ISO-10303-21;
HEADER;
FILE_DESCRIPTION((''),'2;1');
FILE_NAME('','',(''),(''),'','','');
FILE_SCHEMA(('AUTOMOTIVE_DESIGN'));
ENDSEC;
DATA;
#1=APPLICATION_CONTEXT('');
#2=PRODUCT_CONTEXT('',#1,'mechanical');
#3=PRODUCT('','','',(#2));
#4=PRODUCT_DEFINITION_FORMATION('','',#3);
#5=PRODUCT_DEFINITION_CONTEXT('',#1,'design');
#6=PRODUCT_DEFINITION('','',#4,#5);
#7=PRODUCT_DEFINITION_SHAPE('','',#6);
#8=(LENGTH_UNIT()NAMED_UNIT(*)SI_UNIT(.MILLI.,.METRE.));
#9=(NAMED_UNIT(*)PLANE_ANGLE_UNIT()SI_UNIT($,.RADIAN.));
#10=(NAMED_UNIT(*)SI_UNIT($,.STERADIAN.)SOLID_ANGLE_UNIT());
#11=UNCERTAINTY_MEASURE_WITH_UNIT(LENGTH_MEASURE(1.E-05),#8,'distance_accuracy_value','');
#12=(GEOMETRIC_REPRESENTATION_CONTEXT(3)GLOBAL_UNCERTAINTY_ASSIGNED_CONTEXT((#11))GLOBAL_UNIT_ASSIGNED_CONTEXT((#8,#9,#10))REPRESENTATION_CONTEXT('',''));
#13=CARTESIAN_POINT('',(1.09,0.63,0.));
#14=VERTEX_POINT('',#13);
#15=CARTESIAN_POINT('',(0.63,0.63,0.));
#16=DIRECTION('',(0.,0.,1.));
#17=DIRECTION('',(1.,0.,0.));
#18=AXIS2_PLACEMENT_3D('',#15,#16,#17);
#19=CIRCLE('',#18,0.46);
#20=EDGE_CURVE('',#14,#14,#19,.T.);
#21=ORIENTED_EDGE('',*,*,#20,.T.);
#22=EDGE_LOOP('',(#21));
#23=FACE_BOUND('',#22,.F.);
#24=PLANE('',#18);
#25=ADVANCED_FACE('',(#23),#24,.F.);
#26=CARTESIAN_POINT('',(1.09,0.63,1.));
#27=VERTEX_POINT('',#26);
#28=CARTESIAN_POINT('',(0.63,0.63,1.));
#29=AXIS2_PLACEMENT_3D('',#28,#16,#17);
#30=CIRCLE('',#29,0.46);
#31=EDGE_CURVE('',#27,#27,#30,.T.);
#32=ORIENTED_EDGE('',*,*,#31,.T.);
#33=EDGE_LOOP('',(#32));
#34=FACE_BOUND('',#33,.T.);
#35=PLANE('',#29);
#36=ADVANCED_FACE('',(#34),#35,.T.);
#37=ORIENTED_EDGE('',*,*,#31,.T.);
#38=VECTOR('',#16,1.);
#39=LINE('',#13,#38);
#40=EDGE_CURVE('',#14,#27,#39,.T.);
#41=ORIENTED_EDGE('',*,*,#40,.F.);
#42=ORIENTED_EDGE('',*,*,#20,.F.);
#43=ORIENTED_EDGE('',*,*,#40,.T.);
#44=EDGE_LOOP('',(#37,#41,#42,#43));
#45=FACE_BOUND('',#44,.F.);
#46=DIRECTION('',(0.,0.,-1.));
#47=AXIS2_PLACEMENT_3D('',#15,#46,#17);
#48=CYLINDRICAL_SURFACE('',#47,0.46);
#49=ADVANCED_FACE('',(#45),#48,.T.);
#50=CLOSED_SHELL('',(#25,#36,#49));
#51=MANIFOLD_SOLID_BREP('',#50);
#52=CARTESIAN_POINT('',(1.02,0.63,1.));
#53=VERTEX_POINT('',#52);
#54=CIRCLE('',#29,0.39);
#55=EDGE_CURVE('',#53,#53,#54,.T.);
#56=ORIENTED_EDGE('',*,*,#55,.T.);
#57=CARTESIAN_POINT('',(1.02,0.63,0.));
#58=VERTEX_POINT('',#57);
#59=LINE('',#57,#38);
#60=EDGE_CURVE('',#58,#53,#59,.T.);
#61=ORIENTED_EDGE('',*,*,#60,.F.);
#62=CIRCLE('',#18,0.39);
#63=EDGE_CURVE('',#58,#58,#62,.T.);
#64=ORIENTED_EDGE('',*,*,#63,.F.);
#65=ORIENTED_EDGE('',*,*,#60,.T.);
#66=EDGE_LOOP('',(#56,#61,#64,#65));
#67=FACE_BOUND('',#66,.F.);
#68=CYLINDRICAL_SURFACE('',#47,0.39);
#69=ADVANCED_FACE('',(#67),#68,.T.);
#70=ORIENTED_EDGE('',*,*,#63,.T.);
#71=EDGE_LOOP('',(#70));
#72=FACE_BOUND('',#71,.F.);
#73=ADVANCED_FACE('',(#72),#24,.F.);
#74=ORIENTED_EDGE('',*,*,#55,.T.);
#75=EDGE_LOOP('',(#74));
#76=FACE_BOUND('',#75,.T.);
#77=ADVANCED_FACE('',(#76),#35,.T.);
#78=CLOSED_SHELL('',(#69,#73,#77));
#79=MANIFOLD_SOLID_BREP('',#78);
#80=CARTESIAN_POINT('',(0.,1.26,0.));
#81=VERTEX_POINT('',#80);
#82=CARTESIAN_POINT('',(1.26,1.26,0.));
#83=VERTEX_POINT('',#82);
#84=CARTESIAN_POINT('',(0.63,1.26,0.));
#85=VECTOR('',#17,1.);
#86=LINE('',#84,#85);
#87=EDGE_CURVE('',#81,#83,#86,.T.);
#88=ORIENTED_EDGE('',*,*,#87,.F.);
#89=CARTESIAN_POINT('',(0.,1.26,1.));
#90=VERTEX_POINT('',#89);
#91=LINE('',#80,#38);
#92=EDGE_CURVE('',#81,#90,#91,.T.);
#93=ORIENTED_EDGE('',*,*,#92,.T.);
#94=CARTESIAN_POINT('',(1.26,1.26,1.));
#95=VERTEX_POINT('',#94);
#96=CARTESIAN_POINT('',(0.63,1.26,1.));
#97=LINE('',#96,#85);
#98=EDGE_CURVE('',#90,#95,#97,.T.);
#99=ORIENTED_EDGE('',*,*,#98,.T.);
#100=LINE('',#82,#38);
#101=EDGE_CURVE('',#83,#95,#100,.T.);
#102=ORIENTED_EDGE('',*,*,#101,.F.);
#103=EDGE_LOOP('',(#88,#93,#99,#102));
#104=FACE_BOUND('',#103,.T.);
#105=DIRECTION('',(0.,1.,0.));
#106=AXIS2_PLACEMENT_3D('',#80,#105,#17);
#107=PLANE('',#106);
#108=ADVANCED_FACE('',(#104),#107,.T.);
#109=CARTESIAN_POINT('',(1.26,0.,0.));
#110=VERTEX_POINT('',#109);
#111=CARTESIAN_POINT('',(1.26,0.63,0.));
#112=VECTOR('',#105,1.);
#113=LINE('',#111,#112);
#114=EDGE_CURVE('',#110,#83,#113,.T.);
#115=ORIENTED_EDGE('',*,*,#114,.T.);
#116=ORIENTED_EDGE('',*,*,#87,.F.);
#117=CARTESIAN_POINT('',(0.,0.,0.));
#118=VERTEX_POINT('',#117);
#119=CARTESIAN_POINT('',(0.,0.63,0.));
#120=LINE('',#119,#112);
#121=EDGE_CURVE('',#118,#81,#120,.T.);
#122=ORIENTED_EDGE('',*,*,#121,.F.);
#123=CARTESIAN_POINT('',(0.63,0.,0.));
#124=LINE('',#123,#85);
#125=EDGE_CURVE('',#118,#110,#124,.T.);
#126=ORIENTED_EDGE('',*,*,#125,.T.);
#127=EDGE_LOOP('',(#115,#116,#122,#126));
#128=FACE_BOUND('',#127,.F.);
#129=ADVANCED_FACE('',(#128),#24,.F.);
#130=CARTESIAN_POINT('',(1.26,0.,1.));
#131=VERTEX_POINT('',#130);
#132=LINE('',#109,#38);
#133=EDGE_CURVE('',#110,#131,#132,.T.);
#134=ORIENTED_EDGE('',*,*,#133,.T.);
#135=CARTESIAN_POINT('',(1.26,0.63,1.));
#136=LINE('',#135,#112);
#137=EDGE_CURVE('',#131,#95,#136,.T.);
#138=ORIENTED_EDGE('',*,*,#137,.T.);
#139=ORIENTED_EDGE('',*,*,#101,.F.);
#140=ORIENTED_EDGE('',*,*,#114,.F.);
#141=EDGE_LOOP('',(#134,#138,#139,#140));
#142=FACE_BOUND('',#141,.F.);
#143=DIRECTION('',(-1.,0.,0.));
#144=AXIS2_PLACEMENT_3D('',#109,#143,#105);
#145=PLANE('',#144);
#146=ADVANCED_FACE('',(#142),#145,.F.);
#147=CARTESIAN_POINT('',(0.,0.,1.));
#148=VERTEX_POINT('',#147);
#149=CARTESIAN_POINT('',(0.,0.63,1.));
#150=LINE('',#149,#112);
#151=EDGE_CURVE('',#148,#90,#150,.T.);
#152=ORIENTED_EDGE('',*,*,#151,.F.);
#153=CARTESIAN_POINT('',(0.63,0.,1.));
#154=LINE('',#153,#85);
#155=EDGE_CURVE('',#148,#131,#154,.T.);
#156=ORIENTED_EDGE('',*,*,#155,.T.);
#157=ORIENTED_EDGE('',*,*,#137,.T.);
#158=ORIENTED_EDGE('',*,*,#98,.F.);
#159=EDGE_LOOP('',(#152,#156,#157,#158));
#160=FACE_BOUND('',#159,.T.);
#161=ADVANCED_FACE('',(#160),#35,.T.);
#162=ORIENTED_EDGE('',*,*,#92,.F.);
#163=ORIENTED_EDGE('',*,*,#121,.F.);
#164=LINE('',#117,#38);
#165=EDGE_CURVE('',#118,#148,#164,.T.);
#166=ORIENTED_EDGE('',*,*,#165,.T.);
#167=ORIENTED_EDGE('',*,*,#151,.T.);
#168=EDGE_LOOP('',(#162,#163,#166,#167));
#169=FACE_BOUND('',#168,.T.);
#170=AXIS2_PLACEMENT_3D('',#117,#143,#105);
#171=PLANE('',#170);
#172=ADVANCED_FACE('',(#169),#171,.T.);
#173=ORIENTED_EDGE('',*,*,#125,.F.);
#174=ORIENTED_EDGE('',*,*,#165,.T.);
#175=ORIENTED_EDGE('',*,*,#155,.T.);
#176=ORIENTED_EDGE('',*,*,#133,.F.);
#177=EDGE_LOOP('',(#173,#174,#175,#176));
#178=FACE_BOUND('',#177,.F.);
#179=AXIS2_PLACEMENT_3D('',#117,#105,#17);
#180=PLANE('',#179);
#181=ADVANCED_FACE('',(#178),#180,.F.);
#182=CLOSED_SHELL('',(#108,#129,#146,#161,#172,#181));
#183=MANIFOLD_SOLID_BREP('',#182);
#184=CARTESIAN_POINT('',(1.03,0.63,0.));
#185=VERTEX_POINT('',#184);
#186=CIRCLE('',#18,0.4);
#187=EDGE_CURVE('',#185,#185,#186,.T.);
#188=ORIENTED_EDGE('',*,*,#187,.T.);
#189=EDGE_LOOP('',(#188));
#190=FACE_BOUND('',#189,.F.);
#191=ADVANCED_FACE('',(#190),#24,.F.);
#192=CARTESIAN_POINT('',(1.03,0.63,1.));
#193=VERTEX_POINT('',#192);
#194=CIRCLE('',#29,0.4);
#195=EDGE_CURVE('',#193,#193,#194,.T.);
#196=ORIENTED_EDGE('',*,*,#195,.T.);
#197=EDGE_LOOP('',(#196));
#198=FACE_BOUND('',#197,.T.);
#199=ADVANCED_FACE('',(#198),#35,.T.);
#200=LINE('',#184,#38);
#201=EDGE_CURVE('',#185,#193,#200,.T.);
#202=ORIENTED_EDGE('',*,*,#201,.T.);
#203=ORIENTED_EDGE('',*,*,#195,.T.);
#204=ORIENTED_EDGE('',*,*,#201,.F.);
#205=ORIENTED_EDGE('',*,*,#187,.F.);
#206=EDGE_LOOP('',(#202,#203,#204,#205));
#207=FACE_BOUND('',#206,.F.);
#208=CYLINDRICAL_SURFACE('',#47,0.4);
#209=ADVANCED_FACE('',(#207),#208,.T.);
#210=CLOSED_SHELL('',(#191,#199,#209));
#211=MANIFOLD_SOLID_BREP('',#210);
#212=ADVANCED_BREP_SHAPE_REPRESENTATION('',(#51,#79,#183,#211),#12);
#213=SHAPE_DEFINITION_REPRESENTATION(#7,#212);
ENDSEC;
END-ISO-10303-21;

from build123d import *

# Parameters (mm, degrees)
BOX_W             = 1.26
BOX_H             = 1.26
BOX_DEPTH         = 1
CYLINDER_R        = 0.39
CYLINDER_DEPTH    = 1
CYLINDER001_R     = 0.46
CYLINDER001_DEPTH = 1
CYLINDER002_R     = 0.4
CYLINDER002_DEPTH = 1


with BuildPart() as water_region:
    # Box → Box (new body)
    with BuildSketch(Plane.XY):
        with Locations((0.63, 0.63)):
            Rectangle(BOX_W, BOX_H)
    extrude(amount=BOX_DEPTH)


with BuildPart() as fuel_region:
    # Cylinder → Cylinder (new body)
    with BuildSketch(Plane(origin=(0.63, 0.63, 0), x_dir=(1, 0, 0), z_dir=(0, 0, 1))):
        Circle(CYLINDER_R)
    extrude(amount=CYLINDER_DEPTH)


with BuildPart() as clad_or:
    # Cylinder001 → Cylinder001 (new body)
    with BuildSketch(Plane(origin=(0.63, 0.63, 0), x_dir=(1, 0, 0), z_dir=(0, 0, 1))):
        Circle(CYLINDER001_R)
    extrude(amount=CYLINDER001_DEPTH)


with BuildPart() as clad_ir:
    # Cylinder002 → Cylinder002 (new body)
    with BuildSketch(Plane(origin=(0.63, 0.63, 0), x_dir=(1, 0, 0), z_dir=(0, 0, 1))):
        Circle(CYLINDER002_R)
    extrude(amount=CYLINDER002_DEPTH)


solid = Compound([water_region.part, fuel_region.part, clad_or.part, clad_ir.part])
